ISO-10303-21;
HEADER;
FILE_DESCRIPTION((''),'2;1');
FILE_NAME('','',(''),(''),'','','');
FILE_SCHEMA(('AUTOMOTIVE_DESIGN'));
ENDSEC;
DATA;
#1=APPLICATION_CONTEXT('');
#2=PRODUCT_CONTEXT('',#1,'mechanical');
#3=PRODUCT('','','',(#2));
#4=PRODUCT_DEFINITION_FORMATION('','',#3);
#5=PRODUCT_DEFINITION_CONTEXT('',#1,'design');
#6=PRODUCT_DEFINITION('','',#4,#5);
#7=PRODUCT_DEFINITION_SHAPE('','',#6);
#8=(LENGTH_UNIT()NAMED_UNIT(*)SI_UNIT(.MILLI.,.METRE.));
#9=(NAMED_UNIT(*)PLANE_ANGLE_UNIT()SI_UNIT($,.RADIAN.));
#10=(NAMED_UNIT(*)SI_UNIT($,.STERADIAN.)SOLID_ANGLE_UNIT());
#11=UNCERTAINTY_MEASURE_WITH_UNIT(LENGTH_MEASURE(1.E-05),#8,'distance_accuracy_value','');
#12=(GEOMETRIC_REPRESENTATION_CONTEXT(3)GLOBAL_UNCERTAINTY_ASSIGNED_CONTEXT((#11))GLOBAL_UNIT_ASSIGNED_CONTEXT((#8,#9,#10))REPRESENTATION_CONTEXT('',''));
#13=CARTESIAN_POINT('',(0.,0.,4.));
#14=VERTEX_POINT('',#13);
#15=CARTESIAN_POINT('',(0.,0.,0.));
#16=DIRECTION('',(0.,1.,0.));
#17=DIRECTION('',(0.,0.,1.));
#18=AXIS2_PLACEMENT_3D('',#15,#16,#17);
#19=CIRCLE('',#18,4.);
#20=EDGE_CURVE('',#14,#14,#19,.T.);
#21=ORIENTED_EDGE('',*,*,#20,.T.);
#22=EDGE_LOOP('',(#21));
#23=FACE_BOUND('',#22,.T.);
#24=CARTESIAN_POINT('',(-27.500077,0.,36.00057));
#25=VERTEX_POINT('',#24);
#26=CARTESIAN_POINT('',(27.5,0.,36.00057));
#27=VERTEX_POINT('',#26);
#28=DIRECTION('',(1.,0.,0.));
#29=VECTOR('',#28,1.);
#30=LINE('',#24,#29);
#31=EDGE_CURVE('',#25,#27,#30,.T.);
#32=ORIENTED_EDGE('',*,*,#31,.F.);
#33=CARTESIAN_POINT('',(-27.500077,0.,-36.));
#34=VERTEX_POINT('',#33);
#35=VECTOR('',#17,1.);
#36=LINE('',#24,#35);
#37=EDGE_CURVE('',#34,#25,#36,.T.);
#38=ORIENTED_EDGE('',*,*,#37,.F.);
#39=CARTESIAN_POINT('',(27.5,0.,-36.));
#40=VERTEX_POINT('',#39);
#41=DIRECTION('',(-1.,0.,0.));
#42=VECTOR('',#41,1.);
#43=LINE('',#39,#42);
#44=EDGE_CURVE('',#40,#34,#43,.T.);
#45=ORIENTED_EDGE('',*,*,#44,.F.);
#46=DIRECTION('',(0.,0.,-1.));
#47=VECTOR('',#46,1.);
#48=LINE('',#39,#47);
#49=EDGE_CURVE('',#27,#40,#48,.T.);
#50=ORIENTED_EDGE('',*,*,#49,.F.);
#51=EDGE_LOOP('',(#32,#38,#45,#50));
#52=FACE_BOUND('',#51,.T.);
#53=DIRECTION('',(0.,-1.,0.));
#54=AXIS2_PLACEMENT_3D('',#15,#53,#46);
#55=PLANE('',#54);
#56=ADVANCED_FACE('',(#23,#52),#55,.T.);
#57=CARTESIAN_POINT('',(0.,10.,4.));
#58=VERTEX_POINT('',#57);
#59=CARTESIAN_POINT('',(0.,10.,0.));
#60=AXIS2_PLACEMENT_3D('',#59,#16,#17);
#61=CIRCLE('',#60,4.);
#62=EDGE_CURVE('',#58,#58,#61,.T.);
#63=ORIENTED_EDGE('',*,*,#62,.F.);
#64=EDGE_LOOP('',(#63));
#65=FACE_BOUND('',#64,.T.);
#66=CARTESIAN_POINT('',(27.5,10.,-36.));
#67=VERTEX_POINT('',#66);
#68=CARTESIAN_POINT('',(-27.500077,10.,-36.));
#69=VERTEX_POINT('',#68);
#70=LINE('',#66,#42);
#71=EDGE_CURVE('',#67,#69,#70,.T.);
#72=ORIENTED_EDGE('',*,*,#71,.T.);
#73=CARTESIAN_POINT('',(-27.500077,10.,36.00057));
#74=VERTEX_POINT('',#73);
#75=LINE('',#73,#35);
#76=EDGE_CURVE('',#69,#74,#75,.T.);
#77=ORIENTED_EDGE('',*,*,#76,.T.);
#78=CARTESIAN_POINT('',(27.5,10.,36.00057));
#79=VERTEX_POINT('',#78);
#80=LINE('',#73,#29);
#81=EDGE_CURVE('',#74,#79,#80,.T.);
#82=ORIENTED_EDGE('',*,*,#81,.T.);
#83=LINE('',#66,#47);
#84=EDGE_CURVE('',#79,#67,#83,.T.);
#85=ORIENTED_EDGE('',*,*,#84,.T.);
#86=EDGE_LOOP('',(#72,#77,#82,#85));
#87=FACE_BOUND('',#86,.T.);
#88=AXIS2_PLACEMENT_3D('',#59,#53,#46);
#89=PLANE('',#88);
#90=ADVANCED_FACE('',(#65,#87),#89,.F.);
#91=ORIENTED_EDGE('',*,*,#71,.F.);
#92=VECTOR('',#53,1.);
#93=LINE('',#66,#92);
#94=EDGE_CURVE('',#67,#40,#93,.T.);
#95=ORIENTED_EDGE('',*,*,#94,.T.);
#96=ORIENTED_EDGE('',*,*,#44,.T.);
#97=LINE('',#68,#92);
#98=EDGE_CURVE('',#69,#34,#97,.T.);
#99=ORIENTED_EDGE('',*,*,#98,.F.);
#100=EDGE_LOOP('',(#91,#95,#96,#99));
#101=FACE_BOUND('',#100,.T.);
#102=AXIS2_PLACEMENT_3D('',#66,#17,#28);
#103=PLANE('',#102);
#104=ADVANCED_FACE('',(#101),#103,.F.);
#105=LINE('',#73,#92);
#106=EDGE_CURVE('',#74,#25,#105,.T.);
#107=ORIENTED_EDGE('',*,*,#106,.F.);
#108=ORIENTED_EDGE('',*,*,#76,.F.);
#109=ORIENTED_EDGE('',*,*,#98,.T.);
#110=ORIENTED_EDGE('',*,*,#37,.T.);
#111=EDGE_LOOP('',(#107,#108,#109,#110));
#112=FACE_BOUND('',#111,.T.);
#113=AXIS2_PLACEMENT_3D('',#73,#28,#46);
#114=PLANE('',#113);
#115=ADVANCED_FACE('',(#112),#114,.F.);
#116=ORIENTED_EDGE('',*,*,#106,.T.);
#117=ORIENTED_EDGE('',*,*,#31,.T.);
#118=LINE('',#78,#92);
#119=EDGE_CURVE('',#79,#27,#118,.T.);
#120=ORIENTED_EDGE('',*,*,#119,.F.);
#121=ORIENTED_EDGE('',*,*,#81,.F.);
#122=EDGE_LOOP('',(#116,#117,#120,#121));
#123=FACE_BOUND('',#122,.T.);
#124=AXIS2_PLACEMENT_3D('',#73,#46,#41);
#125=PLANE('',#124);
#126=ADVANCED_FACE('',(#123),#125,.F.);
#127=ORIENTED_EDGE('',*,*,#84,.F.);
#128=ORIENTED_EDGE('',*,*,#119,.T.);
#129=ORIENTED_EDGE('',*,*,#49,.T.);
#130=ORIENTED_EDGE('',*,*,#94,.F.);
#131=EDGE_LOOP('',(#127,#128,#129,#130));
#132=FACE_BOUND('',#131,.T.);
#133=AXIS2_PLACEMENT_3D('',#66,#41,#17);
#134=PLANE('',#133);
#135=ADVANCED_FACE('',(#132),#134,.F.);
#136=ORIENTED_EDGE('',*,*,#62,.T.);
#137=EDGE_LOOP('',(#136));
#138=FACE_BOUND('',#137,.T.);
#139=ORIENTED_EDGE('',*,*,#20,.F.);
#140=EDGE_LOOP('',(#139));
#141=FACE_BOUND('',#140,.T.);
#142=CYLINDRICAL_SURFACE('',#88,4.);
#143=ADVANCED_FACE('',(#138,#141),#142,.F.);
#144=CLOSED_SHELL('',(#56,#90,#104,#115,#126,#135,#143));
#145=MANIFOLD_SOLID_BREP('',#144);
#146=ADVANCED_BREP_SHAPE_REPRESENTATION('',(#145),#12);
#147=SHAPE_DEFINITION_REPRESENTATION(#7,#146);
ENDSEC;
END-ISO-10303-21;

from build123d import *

# Parameters (mm, degrees)
SKETCH2_W           = 55.000077269
SKETCH2_H           = 72.000570089
SKETCH2_R           = 4
BOSS_EXTRUDE1_DEPTH = 10


with BuildPart() as part:
    # Sketch2 → Boss-Extrude1 (new body)
    with BuildSketch(Plane(origin=(0, 0, 0), x_dir=(1, 0, 0), z_dir=(0, 1, 0))):
        with Locations((-3.8635e-05, -0.000285044)):
            Rectangle(SKETCH2_W, SKETCH2_H)
        with Locations(Location((0, 0, 0), (0, 0, 270))):
            Circle(SKETCH2_R, mode=Mode.SUBTRACT)
    extrude(amount=BOSS_EXTRUDE1_DEPTH)


solid = part.part
